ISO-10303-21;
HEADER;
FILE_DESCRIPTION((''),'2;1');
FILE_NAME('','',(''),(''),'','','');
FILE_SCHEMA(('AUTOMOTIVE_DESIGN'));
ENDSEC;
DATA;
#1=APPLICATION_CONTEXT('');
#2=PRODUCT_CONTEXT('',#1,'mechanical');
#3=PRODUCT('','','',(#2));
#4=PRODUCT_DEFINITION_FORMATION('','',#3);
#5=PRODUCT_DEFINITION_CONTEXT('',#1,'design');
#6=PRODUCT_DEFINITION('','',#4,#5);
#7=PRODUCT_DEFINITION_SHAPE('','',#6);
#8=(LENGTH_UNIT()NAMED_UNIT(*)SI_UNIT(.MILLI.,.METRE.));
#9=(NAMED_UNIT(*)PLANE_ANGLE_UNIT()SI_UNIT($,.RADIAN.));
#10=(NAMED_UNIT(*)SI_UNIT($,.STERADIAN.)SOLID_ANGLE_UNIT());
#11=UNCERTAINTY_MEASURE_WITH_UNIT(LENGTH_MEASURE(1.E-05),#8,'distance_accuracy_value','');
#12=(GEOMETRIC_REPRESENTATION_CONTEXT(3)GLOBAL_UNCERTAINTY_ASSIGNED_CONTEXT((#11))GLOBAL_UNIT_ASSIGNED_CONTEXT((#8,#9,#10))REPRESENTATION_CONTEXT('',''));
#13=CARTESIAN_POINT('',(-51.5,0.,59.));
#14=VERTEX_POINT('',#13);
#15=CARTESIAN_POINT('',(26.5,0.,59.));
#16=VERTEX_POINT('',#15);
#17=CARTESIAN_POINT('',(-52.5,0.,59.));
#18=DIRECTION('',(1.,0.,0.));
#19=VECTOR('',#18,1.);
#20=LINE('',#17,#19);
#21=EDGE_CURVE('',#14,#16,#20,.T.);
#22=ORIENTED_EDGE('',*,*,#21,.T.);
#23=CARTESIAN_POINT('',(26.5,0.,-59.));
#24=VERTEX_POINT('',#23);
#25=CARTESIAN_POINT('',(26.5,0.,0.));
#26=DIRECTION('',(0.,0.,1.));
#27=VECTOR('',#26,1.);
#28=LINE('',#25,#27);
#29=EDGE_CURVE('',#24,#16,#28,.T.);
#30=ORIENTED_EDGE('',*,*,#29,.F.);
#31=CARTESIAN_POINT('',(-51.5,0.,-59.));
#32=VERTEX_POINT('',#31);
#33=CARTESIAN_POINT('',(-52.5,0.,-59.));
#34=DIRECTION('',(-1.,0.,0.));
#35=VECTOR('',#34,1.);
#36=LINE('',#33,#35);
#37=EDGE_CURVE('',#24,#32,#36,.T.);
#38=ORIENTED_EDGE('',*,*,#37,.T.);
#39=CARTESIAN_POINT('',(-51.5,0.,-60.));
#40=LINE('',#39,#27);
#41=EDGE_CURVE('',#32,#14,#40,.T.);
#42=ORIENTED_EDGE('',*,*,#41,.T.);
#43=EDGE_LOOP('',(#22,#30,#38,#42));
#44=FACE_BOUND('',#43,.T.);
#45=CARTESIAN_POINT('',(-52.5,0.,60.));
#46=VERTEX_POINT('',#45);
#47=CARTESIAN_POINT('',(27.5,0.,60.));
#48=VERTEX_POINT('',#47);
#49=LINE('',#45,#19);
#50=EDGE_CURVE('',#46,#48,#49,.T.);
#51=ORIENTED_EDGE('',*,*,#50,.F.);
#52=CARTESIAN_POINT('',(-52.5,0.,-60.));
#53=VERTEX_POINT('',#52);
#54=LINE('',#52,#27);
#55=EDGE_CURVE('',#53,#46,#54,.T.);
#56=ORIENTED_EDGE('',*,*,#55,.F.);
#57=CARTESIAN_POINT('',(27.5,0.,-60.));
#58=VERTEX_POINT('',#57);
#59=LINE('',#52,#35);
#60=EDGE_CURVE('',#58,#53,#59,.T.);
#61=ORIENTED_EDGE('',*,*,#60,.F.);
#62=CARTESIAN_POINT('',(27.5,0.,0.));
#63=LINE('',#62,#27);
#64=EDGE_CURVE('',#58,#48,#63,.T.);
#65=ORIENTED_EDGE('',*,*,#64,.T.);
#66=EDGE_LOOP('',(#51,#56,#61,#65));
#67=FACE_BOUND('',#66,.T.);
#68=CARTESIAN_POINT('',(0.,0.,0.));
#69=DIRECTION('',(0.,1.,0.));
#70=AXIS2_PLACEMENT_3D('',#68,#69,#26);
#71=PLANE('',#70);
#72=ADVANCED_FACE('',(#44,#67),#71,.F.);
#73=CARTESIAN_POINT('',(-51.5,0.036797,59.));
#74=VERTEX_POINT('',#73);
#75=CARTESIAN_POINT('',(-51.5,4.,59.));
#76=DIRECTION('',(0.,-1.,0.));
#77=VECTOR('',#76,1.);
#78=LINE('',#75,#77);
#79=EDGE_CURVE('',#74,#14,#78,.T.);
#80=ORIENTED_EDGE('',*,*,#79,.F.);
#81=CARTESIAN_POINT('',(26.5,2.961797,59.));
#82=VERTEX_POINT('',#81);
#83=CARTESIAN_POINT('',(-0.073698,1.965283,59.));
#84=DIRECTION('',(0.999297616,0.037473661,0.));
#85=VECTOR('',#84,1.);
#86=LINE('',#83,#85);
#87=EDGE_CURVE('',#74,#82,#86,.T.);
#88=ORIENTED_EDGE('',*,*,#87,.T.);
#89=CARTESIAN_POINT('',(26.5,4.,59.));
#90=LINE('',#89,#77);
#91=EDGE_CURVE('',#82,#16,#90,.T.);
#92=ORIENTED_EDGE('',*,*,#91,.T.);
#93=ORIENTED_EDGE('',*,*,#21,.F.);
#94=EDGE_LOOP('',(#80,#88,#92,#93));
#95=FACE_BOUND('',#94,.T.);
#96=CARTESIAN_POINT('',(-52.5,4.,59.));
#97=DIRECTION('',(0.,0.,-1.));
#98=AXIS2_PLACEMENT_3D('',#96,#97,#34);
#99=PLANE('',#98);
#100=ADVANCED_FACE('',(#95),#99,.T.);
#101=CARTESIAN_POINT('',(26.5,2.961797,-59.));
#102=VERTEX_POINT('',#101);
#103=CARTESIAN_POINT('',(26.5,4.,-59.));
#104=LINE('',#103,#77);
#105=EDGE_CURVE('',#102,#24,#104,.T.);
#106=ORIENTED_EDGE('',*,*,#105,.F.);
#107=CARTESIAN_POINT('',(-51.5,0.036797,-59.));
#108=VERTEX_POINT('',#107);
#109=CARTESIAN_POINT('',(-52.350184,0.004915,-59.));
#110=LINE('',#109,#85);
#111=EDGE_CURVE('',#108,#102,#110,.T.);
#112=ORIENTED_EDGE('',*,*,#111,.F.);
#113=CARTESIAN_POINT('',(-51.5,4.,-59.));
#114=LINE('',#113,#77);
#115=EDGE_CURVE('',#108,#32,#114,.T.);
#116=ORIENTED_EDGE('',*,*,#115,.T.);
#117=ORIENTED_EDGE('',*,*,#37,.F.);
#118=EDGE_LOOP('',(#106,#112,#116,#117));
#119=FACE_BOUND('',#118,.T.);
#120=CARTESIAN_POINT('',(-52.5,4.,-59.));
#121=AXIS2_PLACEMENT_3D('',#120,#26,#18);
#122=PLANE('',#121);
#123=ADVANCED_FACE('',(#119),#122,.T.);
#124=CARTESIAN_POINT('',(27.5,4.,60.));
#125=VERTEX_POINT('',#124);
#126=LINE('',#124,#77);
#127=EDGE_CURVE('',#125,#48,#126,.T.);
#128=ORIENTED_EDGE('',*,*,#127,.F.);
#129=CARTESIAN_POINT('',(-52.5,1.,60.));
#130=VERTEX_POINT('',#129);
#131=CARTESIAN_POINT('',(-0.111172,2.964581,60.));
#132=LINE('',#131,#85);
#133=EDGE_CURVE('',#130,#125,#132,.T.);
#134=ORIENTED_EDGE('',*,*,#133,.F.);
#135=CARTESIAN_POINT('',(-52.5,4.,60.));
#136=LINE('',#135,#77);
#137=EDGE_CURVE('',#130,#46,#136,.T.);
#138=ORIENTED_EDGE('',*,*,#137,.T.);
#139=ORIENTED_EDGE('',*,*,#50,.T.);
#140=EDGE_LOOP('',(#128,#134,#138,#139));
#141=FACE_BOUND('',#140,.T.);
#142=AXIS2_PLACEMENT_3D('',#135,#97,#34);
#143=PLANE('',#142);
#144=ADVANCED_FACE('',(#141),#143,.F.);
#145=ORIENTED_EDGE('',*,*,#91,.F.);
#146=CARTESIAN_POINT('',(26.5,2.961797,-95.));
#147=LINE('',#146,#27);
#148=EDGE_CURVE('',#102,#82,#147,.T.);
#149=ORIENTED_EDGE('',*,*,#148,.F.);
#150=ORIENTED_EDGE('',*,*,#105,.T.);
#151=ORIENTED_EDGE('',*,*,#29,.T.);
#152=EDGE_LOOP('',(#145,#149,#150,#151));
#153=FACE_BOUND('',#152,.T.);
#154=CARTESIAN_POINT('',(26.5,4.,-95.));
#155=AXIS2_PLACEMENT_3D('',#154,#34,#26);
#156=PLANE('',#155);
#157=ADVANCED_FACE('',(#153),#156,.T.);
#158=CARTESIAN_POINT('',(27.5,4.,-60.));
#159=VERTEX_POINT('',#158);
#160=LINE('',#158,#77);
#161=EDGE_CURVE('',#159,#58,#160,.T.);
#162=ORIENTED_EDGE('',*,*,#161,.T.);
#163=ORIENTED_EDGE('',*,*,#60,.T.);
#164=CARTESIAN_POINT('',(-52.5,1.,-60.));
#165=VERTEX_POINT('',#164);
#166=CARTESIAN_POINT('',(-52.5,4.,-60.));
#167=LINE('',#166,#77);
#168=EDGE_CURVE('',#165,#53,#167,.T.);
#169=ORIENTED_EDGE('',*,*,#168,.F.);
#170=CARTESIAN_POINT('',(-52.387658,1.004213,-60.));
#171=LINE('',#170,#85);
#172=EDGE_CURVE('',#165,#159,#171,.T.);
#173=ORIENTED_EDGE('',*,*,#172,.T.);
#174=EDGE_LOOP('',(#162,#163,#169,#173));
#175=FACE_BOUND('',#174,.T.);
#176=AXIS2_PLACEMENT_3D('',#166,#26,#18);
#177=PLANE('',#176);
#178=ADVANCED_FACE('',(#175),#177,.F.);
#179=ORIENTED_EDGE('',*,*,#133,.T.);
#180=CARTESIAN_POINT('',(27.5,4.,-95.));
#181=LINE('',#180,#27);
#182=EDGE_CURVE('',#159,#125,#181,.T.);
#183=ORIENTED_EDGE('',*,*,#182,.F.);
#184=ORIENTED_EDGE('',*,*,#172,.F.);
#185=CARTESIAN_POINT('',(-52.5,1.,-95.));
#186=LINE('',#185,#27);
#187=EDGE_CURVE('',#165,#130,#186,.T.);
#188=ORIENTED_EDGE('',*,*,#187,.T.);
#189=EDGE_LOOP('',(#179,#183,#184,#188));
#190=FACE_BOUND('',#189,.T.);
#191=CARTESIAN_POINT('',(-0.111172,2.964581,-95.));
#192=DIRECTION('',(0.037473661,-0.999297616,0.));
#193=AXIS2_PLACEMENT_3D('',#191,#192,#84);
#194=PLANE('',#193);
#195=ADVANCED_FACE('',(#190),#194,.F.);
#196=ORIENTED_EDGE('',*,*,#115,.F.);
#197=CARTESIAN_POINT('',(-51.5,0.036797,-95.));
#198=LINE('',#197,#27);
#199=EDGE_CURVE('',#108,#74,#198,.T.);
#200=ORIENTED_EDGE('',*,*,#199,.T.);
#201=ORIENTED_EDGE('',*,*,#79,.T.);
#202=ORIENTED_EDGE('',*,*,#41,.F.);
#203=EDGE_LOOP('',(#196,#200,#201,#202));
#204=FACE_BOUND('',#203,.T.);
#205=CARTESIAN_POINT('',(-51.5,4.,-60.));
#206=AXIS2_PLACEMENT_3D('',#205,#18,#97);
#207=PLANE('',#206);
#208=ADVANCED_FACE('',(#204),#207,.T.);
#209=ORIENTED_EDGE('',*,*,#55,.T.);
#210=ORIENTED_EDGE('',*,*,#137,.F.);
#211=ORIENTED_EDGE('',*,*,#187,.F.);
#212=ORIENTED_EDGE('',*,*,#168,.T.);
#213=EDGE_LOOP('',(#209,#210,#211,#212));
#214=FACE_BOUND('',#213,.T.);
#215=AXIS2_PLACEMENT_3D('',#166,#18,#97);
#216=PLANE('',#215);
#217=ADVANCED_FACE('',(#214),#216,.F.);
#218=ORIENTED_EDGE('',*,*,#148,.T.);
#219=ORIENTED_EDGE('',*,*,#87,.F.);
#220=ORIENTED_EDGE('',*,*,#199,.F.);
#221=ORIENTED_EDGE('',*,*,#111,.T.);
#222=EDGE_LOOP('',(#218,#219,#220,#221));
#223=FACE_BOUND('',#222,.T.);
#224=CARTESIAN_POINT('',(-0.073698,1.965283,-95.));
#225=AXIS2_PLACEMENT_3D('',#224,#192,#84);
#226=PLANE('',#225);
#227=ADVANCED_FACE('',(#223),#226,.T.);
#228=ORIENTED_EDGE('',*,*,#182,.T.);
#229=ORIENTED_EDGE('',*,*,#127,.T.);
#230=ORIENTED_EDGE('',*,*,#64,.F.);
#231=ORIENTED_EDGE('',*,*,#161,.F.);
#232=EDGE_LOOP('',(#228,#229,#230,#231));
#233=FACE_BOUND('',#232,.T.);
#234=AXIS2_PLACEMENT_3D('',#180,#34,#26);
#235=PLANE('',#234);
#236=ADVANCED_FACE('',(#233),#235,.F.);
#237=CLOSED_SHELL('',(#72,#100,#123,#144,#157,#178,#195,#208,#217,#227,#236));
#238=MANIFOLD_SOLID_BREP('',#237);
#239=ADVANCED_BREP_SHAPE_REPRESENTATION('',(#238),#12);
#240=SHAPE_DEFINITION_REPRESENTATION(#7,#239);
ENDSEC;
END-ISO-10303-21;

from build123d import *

# Parameters (mm, degrees)
SKETCH_1_W          = 105
SKETCH_1_H          = 120
EXTRUDE_1_DEPTH     = 4
SKETCH_4_W          = 25
SKETCH_4_H          = 4
CUT_EXTRUDE_1_DEPTH = 155
CUT_EXTRUDE_3_DEPTH = 155
SHELL_1_T           = -1


with BuildPart() as part:
    # 스케치1 → 보스-돌출1 (new body)
    with BuildSketch(Plane(origin=(0, 0, 0), x_dir=(1, 0, 0), z_dir=(0, 1, 0))):
        Rectangle(SKETCH_1_W, SKETCH_1_H)
    extrude(amount=EXTRUDE_1_DEPTH)

    # 스케치4 → 컷-돌출1 (cut)
    with BuildSketch(Plane.XY.offset(60)):
        with Locations((40, 2)):
            Rectangle(SKETCH_4_W, SKETCH_4_H)
    extrude(amount=-CUT_EXTRUDE_1_DEPTH, mode=Mode.SUBTRACT)

    # 스케치6 → 컷-돌출3 (cut)
    with BuildSketch(Plane.XY.offset(60)):
        Polygon((-52.5, 4), (-52.5, 1), (27.5, 4), align=None)
    extrude(amount=-CUT_EXTRUDE_3_DEPTH, mode=Mode.SUBTRACT)

    # 쉘1
    shell_1_openings = [part.faces().sort_by_distance(p)[0] for p in [
        (-12.5, 0, 0),
    ]]
    offset(amount=SHELL_1_T, openings=shell_1_openings, kind=Kind.INTERSECTION)


solid = part.part
